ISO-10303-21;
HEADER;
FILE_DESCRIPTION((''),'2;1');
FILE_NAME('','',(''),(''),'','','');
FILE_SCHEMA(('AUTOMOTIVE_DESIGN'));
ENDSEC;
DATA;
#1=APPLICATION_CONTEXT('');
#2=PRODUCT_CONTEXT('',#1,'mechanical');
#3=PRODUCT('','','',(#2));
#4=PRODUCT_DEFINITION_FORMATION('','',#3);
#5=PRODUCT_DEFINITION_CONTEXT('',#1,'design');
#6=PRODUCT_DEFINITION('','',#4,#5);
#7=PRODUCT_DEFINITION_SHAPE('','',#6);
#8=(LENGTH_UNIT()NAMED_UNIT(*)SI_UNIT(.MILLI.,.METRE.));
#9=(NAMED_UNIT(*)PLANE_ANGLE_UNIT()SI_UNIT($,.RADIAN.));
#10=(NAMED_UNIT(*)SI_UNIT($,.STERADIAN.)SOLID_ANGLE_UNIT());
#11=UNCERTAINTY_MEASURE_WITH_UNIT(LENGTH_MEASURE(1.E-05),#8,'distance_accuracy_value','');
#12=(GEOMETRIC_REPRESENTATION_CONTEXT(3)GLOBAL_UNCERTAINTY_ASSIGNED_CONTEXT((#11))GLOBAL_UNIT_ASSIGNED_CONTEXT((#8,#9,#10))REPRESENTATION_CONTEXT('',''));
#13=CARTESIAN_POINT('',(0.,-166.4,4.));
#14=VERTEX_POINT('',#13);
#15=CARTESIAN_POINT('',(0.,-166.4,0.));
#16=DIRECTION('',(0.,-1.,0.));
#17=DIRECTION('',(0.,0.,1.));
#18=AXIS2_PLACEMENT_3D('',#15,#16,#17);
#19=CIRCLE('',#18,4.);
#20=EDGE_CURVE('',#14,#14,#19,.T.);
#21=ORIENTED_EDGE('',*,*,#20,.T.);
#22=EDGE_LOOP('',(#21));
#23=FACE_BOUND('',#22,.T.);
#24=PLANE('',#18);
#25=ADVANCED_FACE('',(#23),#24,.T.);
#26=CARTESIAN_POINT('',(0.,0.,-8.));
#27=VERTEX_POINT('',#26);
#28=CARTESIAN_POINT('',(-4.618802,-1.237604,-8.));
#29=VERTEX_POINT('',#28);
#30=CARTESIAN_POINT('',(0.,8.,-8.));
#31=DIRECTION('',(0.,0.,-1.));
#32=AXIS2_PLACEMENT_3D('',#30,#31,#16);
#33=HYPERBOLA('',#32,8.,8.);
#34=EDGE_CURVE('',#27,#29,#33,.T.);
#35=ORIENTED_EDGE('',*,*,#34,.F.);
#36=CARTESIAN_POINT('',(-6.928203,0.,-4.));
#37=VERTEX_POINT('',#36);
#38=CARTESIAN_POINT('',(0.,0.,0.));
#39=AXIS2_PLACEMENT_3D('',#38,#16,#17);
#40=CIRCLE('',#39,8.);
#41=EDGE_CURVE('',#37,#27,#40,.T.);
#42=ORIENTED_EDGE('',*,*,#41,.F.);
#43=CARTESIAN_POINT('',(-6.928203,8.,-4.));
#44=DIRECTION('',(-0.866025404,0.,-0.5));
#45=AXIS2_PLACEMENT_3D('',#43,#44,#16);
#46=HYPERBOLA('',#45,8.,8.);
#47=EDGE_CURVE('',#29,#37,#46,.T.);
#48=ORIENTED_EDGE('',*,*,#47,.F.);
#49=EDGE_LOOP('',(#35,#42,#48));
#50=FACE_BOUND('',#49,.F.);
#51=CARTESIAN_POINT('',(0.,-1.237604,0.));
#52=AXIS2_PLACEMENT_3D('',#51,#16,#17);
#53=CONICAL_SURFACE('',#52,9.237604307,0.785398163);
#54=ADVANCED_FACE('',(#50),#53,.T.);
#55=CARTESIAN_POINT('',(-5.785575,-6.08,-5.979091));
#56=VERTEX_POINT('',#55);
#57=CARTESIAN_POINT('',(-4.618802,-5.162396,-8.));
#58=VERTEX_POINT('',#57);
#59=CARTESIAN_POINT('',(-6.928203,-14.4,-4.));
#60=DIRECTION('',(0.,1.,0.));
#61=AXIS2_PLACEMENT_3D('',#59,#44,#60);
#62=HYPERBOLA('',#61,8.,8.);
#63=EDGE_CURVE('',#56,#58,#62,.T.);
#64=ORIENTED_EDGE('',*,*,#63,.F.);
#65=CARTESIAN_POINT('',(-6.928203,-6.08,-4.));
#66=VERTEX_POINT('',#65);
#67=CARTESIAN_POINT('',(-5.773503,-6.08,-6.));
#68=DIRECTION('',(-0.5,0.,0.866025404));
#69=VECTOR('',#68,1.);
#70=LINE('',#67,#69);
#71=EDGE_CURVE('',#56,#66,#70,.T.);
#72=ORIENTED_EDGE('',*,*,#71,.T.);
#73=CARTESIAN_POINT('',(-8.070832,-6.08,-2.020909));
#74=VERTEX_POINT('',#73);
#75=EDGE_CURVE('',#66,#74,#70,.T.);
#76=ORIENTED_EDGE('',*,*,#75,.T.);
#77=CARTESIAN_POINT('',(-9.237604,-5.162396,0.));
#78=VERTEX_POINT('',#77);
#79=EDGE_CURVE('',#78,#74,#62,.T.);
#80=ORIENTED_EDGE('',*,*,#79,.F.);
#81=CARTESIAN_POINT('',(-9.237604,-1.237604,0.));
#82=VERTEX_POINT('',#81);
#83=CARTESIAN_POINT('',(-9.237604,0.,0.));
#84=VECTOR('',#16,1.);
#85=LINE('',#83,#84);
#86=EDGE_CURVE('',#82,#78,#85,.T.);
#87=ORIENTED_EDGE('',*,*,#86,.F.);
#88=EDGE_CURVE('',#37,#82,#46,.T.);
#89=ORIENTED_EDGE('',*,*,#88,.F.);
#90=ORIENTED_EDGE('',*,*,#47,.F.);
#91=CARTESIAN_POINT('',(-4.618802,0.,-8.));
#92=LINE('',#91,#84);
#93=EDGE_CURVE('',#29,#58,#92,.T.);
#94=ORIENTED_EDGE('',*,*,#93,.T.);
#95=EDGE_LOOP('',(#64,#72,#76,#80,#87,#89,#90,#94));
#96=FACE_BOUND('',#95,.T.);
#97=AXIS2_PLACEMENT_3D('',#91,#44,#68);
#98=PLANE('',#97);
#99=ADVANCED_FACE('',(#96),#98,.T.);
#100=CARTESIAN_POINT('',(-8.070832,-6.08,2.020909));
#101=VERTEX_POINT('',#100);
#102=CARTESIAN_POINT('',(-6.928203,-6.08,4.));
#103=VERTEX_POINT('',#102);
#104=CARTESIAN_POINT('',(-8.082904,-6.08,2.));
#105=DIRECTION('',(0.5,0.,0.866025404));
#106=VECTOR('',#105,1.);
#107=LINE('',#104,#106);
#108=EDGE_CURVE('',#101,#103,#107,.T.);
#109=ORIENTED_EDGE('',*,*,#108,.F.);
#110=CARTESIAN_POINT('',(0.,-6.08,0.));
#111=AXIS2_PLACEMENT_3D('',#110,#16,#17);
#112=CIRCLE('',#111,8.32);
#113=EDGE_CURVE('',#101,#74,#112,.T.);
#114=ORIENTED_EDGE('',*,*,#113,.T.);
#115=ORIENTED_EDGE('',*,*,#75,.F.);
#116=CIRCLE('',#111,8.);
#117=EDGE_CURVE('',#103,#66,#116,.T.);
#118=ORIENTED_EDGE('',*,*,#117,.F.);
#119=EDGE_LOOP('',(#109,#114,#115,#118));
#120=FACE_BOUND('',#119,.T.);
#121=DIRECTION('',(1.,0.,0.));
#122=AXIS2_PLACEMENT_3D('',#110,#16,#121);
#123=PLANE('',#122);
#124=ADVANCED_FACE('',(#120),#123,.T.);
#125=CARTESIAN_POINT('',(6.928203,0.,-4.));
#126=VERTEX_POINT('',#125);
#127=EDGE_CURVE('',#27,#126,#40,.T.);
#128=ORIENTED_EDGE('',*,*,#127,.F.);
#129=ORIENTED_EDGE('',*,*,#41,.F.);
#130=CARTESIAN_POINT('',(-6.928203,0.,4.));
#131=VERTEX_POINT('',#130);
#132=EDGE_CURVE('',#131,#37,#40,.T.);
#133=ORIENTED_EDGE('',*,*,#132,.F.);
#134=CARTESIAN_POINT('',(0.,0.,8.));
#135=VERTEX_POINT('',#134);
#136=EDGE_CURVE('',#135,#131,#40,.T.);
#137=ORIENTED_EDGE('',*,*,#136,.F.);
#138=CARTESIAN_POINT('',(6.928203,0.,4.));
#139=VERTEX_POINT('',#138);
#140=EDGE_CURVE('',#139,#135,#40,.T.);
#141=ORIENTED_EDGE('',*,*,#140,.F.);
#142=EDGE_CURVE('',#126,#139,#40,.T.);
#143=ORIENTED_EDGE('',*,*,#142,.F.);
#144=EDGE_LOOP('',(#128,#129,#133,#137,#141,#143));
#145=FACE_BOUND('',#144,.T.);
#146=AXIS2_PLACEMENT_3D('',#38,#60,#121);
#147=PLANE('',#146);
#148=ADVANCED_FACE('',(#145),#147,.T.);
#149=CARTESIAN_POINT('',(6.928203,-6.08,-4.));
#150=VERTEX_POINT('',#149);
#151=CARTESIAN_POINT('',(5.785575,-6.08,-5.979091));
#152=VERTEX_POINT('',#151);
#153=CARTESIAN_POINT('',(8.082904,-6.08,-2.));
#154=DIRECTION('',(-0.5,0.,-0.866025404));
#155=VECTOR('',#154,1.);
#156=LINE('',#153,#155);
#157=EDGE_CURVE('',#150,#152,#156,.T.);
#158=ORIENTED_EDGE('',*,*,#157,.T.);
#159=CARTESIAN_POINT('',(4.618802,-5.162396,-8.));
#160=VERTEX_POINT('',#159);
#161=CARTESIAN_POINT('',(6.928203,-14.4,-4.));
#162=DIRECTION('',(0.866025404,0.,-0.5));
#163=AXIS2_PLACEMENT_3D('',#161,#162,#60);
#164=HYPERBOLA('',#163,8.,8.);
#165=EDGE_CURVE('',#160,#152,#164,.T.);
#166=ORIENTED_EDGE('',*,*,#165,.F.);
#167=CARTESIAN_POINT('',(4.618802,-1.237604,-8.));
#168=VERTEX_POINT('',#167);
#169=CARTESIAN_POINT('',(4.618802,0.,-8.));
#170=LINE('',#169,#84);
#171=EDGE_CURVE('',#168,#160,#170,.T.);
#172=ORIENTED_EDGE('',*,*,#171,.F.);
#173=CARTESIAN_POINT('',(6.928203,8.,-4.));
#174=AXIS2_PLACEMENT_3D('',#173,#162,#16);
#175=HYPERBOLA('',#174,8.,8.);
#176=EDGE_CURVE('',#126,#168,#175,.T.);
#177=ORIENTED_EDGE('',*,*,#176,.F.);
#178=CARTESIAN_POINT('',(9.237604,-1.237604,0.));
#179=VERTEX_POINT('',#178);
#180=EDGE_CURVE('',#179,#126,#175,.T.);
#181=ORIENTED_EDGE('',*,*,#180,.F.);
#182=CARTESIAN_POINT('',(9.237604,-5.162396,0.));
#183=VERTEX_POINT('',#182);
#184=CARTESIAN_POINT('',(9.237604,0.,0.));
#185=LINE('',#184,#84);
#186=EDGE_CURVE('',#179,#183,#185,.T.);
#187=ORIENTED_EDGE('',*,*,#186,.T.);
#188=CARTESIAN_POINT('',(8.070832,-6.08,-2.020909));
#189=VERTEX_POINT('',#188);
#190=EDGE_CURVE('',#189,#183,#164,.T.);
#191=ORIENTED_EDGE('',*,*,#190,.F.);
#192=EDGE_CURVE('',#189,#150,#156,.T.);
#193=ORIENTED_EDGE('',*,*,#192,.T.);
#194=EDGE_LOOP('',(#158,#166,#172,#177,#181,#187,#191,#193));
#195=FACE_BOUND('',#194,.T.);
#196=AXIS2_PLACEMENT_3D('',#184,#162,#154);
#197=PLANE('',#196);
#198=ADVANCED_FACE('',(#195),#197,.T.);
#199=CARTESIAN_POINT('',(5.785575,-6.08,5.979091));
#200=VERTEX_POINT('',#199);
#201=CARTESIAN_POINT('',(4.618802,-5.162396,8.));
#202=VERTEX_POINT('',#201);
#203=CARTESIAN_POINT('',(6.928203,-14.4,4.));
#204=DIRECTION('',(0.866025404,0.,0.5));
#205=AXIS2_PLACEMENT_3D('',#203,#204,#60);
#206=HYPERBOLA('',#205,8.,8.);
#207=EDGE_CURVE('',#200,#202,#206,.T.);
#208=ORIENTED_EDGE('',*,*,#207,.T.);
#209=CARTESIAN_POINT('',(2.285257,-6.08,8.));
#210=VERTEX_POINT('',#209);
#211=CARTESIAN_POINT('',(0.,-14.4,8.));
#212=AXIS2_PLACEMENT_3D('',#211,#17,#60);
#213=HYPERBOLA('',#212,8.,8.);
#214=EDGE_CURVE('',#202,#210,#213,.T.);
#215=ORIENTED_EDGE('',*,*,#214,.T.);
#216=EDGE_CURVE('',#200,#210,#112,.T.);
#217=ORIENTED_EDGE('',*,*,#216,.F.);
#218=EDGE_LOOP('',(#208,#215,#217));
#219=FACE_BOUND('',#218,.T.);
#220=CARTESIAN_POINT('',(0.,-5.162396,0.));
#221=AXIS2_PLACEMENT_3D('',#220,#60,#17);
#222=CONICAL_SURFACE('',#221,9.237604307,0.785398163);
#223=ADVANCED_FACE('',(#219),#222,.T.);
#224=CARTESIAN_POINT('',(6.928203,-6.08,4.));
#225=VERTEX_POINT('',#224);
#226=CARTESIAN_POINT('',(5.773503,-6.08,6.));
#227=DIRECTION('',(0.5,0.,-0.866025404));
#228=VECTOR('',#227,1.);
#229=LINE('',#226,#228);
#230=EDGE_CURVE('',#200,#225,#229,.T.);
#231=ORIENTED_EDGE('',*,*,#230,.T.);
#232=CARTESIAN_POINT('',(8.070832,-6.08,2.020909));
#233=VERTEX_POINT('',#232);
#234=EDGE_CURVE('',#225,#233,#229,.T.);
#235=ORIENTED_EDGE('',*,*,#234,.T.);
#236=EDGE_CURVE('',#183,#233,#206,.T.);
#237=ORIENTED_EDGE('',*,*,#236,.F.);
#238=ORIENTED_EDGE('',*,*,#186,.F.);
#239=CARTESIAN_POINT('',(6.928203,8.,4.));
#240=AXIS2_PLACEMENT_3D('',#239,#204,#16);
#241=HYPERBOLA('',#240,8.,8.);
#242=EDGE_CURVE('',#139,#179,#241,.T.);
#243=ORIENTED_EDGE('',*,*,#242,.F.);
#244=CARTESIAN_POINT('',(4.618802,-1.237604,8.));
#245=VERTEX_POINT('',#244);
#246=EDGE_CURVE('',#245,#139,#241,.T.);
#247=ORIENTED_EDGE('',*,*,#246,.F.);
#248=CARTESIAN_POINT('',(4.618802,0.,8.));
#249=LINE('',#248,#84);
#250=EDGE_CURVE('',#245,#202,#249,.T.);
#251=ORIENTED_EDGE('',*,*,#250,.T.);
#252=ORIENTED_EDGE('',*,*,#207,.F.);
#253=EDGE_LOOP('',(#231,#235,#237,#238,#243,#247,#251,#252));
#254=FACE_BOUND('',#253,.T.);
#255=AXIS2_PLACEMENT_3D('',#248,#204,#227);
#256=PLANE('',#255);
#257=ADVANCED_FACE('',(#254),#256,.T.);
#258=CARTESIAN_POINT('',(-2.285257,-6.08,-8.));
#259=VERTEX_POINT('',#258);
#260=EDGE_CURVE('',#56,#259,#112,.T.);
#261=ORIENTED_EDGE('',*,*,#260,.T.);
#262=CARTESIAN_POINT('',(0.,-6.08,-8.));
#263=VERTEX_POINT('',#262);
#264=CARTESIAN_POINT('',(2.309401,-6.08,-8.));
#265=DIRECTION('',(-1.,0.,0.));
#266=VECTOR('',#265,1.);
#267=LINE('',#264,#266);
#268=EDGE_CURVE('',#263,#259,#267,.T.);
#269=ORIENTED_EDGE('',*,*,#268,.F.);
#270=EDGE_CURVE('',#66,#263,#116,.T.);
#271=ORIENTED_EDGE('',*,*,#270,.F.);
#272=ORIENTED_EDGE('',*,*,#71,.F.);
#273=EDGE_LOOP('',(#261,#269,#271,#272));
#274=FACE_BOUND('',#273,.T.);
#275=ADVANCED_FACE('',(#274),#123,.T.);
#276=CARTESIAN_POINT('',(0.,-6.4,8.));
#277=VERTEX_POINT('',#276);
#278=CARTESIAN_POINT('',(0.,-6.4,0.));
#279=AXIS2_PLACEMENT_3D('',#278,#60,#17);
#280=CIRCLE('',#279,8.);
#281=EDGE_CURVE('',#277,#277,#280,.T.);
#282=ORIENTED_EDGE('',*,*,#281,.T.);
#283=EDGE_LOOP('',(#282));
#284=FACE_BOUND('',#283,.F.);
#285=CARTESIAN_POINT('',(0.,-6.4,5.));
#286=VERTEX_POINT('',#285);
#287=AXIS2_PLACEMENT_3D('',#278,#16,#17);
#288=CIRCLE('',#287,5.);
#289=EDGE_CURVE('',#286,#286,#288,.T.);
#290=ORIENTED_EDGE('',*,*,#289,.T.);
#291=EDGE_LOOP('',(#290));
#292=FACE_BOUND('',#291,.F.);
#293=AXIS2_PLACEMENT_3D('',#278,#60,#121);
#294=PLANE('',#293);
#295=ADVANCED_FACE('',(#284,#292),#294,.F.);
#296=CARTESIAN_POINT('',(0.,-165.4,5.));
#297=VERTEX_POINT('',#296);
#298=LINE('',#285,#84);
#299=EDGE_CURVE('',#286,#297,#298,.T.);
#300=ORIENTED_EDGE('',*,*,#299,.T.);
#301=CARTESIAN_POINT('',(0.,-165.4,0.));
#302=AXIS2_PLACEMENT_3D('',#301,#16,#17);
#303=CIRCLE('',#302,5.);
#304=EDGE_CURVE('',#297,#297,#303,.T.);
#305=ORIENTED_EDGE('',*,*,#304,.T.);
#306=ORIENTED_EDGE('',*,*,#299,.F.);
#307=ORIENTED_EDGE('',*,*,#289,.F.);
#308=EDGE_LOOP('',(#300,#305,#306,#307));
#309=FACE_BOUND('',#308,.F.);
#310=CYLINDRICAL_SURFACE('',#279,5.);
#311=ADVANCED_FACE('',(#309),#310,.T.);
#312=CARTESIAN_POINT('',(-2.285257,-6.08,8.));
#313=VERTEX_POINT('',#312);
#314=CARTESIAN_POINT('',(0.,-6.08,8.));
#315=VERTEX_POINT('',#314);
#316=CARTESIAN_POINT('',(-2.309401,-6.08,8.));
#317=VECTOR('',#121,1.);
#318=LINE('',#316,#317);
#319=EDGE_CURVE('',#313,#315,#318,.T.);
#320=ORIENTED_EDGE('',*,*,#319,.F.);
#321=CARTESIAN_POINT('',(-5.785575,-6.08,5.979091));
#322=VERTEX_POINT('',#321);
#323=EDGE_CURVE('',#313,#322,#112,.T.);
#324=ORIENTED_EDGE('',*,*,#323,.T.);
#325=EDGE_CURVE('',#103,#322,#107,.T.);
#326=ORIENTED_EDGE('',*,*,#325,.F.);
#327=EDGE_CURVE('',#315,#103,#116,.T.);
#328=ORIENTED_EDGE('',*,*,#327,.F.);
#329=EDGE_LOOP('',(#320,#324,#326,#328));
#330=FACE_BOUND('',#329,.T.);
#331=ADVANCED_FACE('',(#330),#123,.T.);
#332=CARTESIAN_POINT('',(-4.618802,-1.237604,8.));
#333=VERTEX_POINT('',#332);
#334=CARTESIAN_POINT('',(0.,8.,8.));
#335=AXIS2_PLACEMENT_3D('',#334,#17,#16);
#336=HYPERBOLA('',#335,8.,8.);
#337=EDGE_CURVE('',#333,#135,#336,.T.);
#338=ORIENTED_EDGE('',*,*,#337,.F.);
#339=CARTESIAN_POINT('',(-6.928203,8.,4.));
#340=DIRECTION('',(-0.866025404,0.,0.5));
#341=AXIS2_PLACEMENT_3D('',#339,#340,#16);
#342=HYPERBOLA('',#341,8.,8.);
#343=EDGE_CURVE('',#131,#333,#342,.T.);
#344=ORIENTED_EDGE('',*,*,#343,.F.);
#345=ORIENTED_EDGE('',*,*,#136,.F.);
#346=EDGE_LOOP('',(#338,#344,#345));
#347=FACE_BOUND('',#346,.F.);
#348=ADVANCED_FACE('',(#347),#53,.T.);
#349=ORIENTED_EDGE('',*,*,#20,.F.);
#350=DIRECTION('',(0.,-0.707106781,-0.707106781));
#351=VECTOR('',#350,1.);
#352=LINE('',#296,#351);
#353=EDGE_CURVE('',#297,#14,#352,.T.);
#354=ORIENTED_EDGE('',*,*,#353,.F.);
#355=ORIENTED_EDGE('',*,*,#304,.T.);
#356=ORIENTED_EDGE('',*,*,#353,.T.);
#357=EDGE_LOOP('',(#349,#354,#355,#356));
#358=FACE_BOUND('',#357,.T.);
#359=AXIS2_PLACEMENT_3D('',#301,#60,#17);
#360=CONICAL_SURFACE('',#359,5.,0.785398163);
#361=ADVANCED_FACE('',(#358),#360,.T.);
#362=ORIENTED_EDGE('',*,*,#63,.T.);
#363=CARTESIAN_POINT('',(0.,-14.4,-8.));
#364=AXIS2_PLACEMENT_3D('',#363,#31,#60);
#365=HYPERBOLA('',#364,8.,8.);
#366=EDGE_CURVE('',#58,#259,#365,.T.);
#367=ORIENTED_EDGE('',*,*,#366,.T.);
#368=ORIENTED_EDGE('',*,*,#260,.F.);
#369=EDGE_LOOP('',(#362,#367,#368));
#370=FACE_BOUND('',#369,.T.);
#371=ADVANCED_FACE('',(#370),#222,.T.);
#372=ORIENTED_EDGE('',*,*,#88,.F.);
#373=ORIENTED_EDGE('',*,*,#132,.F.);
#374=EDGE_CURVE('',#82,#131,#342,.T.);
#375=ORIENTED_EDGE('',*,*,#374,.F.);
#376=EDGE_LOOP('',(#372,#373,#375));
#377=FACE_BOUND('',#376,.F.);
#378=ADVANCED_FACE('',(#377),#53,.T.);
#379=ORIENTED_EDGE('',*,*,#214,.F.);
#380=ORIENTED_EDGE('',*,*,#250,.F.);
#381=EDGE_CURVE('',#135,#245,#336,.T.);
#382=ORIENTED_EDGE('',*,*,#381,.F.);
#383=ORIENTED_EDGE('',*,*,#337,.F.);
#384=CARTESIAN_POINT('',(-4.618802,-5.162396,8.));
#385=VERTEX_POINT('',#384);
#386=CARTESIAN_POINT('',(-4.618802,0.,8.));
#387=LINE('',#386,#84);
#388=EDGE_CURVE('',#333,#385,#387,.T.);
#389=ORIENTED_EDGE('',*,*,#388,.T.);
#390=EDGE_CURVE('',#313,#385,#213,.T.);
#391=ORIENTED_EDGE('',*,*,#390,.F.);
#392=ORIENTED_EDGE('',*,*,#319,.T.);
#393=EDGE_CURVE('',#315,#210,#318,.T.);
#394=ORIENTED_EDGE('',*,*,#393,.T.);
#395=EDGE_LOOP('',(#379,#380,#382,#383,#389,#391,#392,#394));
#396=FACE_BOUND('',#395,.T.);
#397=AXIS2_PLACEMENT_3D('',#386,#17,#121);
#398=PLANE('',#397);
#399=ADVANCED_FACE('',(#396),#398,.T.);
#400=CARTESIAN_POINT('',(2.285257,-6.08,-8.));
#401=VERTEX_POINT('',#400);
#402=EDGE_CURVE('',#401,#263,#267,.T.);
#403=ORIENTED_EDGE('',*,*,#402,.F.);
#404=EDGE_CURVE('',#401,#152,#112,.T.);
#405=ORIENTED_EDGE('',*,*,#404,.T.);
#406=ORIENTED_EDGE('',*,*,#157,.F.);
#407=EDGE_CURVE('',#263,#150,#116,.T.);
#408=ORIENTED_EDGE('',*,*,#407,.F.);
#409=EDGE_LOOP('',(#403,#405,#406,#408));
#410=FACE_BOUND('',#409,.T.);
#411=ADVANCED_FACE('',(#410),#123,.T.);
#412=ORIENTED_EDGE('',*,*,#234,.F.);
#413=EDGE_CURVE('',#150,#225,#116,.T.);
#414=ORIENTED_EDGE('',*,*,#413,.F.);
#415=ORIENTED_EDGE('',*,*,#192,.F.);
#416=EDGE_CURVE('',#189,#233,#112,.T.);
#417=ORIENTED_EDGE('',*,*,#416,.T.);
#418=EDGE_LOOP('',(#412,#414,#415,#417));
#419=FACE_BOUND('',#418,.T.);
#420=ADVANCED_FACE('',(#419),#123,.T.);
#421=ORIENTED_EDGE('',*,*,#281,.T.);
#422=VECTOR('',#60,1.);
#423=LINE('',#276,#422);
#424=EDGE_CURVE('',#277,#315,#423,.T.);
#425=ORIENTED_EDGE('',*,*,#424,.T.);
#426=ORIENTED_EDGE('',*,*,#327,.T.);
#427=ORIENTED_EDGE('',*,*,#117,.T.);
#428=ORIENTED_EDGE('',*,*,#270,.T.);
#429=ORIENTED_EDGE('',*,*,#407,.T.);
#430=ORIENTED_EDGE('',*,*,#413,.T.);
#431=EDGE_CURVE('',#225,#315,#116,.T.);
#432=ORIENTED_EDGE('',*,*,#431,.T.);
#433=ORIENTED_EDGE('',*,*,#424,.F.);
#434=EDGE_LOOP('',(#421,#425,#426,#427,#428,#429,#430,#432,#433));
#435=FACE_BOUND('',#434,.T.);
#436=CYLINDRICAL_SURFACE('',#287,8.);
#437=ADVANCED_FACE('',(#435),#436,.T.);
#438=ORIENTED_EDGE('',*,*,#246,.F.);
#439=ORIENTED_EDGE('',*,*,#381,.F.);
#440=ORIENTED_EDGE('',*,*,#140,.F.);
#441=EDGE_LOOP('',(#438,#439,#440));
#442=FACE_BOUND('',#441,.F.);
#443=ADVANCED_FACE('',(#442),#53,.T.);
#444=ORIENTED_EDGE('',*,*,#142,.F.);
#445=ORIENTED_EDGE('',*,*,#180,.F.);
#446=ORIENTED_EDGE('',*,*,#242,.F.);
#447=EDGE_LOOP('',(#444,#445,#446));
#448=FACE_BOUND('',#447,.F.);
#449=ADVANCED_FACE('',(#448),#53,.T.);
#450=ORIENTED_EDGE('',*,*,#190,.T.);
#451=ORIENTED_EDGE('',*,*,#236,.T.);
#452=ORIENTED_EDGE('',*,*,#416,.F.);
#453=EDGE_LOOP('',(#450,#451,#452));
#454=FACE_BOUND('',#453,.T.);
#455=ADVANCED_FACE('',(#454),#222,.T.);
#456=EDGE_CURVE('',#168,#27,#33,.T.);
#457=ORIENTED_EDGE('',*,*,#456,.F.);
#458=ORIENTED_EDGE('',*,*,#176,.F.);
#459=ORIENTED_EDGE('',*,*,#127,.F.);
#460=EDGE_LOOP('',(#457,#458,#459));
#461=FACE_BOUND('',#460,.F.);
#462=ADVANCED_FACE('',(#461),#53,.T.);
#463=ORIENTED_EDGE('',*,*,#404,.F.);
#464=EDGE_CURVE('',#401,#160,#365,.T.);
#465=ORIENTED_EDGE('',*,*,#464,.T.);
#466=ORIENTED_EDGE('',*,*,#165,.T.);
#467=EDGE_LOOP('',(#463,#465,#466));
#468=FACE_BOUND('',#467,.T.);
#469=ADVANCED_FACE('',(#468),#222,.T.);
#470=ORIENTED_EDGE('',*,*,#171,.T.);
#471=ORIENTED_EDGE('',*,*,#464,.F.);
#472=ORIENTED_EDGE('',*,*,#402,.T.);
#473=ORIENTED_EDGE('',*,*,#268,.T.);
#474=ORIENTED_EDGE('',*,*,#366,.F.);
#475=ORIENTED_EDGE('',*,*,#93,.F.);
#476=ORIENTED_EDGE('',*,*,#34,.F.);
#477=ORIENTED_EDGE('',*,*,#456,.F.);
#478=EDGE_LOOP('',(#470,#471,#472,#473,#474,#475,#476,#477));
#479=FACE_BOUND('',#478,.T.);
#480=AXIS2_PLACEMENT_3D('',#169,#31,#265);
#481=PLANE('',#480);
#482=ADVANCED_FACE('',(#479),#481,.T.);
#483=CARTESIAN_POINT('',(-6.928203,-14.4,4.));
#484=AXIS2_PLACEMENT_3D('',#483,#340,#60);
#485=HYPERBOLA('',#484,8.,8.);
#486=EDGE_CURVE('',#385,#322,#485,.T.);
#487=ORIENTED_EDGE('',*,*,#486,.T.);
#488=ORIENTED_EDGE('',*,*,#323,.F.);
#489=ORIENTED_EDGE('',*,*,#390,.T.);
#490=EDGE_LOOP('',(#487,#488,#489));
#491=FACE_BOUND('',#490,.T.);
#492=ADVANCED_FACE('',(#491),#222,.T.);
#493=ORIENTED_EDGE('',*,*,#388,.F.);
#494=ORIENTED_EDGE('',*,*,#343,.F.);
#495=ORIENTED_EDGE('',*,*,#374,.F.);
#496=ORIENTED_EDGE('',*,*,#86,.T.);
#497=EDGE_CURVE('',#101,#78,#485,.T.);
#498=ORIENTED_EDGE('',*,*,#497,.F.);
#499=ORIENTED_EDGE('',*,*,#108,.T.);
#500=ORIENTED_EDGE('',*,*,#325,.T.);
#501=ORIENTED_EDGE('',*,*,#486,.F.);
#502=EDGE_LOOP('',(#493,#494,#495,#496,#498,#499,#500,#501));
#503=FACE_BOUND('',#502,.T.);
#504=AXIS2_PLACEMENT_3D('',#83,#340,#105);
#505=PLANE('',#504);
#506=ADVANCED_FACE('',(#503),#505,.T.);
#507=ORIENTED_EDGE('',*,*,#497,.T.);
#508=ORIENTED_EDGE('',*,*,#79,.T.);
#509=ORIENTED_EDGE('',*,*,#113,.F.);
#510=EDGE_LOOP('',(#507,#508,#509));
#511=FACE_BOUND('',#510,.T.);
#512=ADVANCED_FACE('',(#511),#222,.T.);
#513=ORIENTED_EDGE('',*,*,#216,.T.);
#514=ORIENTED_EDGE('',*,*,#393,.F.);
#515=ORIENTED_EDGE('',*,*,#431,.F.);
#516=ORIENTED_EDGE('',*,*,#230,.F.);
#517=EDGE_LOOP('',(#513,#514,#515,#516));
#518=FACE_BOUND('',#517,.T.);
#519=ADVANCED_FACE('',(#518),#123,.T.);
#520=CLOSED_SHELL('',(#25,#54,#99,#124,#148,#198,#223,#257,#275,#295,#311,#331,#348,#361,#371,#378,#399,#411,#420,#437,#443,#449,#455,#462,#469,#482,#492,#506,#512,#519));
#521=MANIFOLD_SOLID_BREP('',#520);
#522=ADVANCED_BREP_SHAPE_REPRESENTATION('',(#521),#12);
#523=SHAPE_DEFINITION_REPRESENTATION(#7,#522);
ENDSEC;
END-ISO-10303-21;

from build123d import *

# Parameters (mm, degrees)
BOSS_EXTRUDE1_DEPTH = 6.4
SKETCH2_OUTSIDE_W   = 25.528
SKETCH2_OUTSIDE_H   = 23.052
SKETCH2_OUTSIDE_R   = 8
CUT_EXTRUDE1_DEPTH  = 0.32
SKETCH3_R           = 5
BOSS_EXTRUDE2_DEPTH = 160
CHAMFER1_SIZE       = 1


with BuildPart() as part:
    # Sketch1 → Boss-Extrude1 (new body)
    with BuildSketch(Plane(origin=(0, 0, 0), x_dir=(1, 0, 0), z_dir=(0, 1, 0))):
        Polygon((9.237604307, 0), (4.618802154, 8), (-4.618802154, 8), (-9.237604307, 0), (-4.618802154, -8), (4.618802154, -8), align=None)
    extrude(amount=-BOSS_EXTRUDE1_DEPTH)

    # Sketch4 → Cut-Revolve1 (revolve, cut)
    with BuildSketch(Plane(origin=(0, 0, 0), x_dir=(0, 0, -1), z_dir=(1, 0, 0))):
        Polygon((-8, 0), (-9.237604307, 0), (-9.237604307, -1.237604307), align=None)
        Polygon((-9.237604307, -5.162395693), (-8, -6.4), (-9.237604307, -6.4), align=None)
    revolve(axis=Axis((0, 0, 0), (0, -1, 0)), mode=Mode.SUBTRACT)

    # Sketch2 outside → Cut-Extrude1 (cut)
    with BuildSketch(Plane.XZ.offset(6.4)):
        Rectangle(SKETCH2_OUTSIDE_W, SKETCH2_OUTSIDE_H)
        with Locations(Location((0, 0, 0), (0, 0, 90))):
            Circle(SKETCH2_OUTSIDE_R, mode=Mode.SUBTRACT)
    extrude(amount=-CUT_EXTRUDE1_DEPTH, mode=Mode.SUBTRACT)

    # Sketch3 → Boss-Extrude2 (add)
    with BuildSketch(Plane.XZ.offset(6.4)):
        with Locations(Location((0, 0, 0), (0, 0, 90))):
            Circle(SKETCH3_R)
    extrude(amount=BOSS_EXTRUDE2_DEPTH)

    # Chamfer1
    chamfer1_edges = [part.edges().sort_by_distance(p)[0] for p in [
        (0, -166.4, -5),
    ]]
    chamfer(chamfer1_edges, length=CHAMFER1_SIZE)


solid = part.part
